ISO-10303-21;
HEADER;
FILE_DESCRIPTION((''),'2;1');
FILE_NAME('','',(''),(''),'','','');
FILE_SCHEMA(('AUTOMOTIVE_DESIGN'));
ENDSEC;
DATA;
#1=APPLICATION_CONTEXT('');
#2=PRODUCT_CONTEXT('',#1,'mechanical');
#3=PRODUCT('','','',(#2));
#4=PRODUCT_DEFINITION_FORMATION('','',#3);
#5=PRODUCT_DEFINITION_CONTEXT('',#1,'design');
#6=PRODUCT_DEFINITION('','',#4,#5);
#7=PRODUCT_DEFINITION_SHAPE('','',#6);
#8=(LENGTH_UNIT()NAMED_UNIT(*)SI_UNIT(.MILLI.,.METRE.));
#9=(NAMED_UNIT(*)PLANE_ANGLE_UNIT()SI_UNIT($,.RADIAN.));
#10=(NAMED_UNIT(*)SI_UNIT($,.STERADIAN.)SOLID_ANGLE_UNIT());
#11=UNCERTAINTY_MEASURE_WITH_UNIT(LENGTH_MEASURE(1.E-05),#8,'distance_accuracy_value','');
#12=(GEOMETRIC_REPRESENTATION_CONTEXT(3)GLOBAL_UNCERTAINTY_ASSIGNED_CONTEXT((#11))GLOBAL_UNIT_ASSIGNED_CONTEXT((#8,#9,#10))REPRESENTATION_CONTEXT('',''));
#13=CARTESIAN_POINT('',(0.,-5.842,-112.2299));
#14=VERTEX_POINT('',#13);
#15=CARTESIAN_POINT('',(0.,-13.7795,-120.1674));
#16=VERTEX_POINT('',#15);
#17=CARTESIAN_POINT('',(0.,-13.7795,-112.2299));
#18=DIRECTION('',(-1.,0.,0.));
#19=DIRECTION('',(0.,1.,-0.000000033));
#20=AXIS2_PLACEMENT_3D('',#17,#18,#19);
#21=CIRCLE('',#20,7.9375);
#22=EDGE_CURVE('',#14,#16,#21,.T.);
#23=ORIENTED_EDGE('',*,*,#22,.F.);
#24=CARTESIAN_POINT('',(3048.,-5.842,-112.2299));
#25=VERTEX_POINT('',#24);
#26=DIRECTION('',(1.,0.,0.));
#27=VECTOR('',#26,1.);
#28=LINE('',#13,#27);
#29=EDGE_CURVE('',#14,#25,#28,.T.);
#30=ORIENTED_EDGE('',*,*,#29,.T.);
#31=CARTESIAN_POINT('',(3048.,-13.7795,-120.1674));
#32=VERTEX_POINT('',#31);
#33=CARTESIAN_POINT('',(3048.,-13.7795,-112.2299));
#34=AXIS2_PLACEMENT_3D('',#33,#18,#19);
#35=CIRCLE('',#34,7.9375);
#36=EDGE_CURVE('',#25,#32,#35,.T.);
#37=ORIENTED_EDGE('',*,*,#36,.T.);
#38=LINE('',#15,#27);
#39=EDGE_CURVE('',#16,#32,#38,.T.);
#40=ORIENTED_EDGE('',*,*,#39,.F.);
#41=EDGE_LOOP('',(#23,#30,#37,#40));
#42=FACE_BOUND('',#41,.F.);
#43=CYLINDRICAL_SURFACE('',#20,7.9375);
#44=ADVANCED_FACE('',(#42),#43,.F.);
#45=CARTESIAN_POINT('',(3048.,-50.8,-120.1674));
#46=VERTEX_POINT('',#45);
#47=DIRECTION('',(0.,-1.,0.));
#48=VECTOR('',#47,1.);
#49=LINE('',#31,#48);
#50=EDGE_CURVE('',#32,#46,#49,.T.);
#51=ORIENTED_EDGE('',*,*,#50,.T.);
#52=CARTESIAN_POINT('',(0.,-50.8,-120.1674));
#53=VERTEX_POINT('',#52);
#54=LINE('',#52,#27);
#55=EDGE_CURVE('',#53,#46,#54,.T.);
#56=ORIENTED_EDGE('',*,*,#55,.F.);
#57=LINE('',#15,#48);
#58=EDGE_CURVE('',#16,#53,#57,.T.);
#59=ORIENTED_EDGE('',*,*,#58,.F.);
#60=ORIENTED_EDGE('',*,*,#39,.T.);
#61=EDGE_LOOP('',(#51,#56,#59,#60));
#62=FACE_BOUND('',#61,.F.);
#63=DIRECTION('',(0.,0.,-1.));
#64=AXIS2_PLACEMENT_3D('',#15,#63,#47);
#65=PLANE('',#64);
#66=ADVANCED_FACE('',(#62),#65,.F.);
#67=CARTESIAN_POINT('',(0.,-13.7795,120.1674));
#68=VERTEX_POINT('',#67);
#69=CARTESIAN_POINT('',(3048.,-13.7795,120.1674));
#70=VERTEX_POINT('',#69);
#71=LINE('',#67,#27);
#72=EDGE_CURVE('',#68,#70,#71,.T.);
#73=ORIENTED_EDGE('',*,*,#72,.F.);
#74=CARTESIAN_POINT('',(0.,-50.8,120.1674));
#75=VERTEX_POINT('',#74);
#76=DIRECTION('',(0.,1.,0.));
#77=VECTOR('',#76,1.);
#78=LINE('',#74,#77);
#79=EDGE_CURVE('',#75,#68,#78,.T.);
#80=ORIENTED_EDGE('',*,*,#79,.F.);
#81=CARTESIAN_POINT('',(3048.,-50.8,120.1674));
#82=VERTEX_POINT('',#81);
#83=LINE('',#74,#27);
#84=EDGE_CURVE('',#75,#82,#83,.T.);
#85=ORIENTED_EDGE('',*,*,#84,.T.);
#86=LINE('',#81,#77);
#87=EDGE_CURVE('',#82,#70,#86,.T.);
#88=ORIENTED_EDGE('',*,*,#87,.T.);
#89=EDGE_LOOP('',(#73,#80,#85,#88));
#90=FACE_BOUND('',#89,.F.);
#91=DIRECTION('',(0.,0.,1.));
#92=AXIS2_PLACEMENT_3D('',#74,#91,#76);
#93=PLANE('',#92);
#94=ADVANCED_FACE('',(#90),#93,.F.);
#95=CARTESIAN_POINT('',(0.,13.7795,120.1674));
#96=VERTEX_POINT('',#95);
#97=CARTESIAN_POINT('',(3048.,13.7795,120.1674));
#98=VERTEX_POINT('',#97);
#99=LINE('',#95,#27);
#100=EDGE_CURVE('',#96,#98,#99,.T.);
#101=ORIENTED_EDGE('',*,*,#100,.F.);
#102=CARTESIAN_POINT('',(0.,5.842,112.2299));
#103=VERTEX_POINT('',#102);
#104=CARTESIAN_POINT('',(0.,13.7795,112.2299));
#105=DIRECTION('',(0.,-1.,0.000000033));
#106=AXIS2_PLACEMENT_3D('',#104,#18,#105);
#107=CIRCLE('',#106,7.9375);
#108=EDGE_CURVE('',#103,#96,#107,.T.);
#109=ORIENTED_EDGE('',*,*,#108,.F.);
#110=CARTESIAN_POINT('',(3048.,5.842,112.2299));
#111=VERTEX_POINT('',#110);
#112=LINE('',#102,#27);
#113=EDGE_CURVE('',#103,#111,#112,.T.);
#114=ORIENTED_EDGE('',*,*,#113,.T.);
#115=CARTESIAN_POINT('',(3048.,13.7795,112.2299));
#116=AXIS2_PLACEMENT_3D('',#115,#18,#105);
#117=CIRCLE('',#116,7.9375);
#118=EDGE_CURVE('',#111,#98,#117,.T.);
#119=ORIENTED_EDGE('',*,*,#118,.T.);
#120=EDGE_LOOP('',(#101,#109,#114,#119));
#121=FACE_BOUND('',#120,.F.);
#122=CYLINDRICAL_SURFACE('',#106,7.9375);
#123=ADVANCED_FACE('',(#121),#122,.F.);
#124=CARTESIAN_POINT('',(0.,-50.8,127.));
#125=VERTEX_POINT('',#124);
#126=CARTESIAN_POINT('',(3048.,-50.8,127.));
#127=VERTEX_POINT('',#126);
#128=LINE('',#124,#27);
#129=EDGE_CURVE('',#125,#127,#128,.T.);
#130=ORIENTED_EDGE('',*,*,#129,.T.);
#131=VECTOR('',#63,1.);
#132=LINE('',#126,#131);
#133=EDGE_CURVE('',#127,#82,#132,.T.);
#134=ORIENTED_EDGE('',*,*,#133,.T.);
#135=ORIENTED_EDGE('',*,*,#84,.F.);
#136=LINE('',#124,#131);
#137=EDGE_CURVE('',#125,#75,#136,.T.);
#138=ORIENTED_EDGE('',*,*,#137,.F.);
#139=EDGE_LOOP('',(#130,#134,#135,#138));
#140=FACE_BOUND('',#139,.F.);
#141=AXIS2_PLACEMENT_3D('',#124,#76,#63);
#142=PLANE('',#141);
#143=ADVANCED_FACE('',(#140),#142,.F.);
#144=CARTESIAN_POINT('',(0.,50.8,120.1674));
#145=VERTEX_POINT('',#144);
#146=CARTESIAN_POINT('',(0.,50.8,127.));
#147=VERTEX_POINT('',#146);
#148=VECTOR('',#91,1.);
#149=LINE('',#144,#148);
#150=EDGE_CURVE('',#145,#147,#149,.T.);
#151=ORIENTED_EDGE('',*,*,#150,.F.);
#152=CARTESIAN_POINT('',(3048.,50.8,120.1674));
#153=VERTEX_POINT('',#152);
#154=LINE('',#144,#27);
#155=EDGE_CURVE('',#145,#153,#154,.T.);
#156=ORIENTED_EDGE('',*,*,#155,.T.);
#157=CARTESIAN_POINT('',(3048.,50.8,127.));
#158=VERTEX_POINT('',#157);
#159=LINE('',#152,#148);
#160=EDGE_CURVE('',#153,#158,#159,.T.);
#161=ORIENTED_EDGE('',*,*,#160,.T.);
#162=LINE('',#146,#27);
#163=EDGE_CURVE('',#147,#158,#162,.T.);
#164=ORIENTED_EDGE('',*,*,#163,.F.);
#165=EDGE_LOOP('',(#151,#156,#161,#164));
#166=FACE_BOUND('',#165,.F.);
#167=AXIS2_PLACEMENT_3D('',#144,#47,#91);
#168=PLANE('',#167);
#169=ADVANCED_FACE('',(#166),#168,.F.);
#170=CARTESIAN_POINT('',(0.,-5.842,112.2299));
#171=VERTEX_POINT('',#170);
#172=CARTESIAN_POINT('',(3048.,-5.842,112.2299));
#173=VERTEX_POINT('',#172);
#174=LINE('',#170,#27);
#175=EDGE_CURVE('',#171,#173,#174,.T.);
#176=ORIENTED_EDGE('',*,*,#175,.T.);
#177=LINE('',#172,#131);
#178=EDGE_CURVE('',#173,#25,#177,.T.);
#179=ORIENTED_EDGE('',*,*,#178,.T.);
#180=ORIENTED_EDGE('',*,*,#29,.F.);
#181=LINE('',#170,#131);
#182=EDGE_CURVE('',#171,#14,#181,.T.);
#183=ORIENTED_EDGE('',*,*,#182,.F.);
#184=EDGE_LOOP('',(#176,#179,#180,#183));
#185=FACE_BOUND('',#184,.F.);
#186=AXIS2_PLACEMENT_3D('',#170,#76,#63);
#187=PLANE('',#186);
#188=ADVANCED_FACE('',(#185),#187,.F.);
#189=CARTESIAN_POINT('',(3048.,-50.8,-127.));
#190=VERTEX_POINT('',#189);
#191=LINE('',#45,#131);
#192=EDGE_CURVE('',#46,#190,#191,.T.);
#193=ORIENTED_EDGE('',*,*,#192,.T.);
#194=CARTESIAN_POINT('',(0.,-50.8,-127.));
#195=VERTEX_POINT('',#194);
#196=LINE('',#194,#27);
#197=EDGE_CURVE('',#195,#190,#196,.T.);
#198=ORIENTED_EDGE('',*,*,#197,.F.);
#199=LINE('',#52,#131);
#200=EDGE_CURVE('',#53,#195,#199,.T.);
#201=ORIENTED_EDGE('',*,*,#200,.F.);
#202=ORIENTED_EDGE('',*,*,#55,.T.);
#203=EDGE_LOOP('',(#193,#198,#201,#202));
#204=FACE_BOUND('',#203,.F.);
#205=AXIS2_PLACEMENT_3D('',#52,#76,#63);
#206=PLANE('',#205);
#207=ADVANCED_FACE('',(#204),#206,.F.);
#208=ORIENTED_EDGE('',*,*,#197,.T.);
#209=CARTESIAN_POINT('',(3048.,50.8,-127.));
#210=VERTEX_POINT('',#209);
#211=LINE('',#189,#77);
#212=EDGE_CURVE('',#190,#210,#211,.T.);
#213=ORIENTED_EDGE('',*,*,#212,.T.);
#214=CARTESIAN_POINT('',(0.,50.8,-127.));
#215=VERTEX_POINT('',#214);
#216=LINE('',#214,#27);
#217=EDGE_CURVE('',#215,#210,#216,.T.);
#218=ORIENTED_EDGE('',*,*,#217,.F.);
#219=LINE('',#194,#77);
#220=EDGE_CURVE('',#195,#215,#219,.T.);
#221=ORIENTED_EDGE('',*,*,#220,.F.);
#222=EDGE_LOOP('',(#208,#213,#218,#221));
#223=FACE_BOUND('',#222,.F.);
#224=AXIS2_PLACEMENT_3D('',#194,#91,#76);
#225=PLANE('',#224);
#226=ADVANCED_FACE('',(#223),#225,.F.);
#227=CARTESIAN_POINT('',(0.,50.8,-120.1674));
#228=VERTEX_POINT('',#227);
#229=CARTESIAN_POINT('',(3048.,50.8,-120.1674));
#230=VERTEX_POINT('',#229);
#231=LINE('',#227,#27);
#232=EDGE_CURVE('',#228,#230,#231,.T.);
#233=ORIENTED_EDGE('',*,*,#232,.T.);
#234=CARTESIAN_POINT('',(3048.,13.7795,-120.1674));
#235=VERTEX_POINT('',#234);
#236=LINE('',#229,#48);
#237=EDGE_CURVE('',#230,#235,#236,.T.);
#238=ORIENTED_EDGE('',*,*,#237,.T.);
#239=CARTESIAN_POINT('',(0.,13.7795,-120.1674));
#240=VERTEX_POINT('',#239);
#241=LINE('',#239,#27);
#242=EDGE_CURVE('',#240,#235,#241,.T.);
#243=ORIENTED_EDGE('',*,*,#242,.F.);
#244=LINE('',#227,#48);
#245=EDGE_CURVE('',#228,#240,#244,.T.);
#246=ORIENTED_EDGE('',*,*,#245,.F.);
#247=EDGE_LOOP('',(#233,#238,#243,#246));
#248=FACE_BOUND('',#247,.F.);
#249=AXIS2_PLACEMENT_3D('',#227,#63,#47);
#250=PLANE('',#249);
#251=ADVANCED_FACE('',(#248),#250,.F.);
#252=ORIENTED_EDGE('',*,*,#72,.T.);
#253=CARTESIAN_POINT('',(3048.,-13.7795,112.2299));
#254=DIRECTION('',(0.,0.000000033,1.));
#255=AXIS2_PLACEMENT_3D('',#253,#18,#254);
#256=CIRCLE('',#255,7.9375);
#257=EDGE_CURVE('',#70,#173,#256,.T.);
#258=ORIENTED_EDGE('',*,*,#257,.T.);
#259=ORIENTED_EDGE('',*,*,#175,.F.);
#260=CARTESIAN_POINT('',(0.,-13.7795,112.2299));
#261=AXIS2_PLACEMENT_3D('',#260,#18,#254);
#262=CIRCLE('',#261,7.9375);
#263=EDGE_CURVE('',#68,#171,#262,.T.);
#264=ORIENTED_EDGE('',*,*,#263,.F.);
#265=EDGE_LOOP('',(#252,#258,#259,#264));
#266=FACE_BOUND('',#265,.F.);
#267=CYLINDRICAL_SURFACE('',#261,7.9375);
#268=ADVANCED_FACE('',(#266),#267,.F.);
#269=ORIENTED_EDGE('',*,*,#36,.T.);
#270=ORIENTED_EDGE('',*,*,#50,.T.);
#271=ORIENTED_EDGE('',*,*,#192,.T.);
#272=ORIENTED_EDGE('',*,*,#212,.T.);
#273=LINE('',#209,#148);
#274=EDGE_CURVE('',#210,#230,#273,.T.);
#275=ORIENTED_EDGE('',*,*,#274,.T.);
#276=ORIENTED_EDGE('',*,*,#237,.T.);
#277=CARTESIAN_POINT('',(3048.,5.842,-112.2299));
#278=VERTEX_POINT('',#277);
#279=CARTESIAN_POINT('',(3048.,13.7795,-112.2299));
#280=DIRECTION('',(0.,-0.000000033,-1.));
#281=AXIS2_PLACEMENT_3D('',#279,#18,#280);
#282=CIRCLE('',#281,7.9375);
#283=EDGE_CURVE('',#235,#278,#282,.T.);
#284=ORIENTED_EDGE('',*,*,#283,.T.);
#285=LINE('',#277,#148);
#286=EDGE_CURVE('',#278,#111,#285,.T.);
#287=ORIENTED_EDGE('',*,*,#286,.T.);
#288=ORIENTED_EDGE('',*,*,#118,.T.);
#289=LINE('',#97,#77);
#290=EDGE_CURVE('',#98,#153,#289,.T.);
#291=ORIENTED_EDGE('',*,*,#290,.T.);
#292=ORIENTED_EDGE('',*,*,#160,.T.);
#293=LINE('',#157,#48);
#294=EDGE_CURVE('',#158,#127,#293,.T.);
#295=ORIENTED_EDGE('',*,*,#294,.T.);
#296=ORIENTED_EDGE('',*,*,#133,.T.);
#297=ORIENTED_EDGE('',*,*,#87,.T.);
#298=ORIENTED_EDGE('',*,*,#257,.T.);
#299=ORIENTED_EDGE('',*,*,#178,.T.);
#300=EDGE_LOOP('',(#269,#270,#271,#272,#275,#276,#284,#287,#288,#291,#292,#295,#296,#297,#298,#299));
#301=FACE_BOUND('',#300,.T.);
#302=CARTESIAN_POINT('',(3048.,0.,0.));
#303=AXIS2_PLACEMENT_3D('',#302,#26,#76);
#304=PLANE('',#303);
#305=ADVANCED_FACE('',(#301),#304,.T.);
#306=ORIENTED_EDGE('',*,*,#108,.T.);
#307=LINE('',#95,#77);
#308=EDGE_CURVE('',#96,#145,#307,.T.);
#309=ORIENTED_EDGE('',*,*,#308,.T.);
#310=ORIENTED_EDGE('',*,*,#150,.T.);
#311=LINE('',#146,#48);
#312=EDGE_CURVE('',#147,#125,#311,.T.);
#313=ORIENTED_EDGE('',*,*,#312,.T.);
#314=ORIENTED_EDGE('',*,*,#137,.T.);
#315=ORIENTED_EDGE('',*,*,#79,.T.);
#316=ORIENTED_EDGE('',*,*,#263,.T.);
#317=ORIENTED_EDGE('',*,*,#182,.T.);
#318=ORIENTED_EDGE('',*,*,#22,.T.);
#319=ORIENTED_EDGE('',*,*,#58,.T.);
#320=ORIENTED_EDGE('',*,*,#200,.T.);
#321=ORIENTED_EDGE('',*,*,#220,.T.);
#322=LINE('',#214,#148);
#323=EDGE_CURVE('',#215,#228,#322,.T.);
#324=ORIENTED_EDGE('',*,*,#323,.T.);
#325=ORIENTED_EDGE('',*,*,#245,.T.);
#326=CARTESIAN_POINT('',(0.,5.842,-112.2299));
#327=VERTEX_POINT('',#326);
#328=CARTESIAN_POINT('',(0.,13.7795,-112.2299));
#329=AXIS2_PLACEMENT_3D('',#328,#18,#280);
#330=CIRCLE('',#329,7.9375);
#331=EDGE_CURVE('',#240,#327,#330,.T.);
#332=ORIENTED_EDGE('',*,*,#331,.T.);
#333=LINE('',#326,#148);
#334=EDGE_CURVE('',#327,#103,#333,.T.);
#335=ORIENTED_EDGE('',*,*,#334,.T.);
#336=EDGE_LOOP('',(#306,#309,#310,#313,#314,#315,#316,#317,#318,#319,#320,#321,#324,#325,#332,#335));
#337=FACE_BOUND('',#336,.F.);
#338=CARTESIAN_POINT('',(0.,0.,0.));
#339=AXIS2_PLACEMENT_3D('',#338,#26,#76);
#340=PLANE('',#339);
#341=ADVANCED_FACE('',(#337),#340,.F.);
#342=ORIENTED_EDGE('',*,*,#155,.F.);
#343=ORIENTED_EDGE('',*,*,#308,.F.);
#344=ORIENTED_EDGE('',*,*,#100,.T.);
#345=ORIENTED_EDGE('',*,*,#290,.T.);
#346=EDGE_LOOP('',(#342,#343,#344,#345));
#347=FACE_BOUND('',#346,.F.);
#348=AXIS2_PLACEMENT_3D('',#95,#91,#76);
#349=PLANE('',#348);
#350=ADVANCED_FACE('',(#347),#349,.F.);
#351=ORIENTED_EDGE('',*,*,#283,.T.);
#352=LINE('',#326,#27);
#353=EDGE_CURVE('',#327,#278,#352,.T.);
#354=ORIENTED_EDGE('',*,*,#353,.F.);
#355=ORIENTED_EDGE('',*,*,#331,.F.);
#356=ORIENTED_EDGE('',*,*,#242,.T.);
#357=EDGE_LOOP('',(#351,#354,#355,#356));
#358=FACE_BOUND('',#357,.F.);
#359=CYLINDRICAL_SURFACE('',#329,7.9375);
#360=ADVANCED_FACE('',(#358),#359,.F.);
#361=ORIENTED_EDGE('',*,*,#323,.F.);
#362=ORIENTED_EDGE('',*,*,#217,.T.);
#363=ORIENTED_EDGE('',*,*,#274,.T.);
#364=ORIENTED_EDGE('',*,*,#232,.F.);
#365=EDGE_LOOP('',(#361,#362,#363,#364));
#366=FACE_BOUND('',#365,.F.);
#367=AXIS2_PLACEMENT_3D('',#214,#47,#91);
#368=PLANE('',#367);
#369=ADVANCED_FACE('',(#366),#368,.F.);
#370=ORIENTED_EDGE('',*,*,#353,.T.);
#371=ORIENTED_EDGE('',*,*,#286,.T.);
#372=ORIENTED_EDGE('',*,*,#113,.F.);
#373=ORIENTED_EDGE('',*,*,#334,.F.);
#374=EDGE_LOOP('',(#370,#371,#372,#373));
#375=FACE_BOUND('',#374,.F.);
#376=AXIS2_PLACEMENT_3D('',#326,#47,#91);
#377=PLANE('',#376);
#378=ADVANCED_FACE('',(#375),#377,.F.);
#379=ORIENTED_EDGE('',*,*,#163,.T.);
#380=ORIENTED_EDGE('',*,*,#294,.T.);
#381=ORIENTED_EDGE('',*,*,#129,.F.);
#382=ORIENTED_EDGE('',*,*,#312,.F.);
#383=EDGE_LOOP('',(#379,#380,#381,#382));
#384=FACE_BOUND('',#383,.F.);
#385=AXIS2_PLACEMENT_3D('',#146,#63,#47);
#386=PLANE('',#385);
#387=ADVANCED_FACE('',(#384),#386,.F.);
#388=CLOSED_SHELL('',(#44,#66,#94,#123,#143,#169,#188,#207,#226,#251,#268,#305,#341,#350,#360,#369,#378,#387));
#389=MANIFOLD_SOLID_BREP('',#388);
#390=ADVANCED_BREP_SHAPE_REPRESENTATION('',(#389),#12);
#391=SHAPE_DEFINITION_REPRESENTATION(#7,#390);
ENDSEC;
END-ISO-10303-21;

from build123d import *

# Parameters (mm, degrees)
F1_DEPTH = 3048


with BuildPart() as f1:
    # F0 (on Right) → F1 (new body)
    with BuildSketch(Plane.YZ):
        with BuildLine():
            Line((-5.842, 112.2299), (-5.842, 0))
            Line((-5.842, 0), (-5.842, -112.2299))
            ThreePointArc((-5.842, -112.2299), (-8.16684, -117.84256), (-13.7795, -120.1674))
            Line((-13.7795, -120.1674), (-50.8, -120.1674))
            Line((-50.8, -120.1674), (-50.8, -127))
            Line((-50.8, -127), (0, -127))
            Line((0, -127), (50.8, -127))
            Line((50.8, -127), (50.8, -120.1674))
            Line((50.8, -120.1674), (13.7795, -120.1674))
            ThreePointArc((13.7795, -120.1674), (8.16684, -117.84256), (5.842, -112.2299))
            Line((5.842, -112.2299), (5.842, 0))
            Line((5.842, 0), (5.842, 112.2299))
            ThreePointArc((5.842, 112.2299), (8.16684, 117.84256), (13.7795, 120.1674))
            Line((13.7795, 120.1674), (50.8, 120.1674))
            Line((50.8, 120.1674), (50.8, 127))
            Line((50.8, 127), (0, 127))
            Line((0, 127), (-50.8, 127))
            Line((-50.8, 127), (-50.8, 120.1674))
            Line((-50.8, 120.1674), (-13.7795, 120.1674))
            ThreePointArc((-13.7795, 120.1674), (-8.16684, 117.84256), (-5.842, 112.2299))
        make_face()
    extrude(amount=F1_DEPTH)


solid = f1.part
